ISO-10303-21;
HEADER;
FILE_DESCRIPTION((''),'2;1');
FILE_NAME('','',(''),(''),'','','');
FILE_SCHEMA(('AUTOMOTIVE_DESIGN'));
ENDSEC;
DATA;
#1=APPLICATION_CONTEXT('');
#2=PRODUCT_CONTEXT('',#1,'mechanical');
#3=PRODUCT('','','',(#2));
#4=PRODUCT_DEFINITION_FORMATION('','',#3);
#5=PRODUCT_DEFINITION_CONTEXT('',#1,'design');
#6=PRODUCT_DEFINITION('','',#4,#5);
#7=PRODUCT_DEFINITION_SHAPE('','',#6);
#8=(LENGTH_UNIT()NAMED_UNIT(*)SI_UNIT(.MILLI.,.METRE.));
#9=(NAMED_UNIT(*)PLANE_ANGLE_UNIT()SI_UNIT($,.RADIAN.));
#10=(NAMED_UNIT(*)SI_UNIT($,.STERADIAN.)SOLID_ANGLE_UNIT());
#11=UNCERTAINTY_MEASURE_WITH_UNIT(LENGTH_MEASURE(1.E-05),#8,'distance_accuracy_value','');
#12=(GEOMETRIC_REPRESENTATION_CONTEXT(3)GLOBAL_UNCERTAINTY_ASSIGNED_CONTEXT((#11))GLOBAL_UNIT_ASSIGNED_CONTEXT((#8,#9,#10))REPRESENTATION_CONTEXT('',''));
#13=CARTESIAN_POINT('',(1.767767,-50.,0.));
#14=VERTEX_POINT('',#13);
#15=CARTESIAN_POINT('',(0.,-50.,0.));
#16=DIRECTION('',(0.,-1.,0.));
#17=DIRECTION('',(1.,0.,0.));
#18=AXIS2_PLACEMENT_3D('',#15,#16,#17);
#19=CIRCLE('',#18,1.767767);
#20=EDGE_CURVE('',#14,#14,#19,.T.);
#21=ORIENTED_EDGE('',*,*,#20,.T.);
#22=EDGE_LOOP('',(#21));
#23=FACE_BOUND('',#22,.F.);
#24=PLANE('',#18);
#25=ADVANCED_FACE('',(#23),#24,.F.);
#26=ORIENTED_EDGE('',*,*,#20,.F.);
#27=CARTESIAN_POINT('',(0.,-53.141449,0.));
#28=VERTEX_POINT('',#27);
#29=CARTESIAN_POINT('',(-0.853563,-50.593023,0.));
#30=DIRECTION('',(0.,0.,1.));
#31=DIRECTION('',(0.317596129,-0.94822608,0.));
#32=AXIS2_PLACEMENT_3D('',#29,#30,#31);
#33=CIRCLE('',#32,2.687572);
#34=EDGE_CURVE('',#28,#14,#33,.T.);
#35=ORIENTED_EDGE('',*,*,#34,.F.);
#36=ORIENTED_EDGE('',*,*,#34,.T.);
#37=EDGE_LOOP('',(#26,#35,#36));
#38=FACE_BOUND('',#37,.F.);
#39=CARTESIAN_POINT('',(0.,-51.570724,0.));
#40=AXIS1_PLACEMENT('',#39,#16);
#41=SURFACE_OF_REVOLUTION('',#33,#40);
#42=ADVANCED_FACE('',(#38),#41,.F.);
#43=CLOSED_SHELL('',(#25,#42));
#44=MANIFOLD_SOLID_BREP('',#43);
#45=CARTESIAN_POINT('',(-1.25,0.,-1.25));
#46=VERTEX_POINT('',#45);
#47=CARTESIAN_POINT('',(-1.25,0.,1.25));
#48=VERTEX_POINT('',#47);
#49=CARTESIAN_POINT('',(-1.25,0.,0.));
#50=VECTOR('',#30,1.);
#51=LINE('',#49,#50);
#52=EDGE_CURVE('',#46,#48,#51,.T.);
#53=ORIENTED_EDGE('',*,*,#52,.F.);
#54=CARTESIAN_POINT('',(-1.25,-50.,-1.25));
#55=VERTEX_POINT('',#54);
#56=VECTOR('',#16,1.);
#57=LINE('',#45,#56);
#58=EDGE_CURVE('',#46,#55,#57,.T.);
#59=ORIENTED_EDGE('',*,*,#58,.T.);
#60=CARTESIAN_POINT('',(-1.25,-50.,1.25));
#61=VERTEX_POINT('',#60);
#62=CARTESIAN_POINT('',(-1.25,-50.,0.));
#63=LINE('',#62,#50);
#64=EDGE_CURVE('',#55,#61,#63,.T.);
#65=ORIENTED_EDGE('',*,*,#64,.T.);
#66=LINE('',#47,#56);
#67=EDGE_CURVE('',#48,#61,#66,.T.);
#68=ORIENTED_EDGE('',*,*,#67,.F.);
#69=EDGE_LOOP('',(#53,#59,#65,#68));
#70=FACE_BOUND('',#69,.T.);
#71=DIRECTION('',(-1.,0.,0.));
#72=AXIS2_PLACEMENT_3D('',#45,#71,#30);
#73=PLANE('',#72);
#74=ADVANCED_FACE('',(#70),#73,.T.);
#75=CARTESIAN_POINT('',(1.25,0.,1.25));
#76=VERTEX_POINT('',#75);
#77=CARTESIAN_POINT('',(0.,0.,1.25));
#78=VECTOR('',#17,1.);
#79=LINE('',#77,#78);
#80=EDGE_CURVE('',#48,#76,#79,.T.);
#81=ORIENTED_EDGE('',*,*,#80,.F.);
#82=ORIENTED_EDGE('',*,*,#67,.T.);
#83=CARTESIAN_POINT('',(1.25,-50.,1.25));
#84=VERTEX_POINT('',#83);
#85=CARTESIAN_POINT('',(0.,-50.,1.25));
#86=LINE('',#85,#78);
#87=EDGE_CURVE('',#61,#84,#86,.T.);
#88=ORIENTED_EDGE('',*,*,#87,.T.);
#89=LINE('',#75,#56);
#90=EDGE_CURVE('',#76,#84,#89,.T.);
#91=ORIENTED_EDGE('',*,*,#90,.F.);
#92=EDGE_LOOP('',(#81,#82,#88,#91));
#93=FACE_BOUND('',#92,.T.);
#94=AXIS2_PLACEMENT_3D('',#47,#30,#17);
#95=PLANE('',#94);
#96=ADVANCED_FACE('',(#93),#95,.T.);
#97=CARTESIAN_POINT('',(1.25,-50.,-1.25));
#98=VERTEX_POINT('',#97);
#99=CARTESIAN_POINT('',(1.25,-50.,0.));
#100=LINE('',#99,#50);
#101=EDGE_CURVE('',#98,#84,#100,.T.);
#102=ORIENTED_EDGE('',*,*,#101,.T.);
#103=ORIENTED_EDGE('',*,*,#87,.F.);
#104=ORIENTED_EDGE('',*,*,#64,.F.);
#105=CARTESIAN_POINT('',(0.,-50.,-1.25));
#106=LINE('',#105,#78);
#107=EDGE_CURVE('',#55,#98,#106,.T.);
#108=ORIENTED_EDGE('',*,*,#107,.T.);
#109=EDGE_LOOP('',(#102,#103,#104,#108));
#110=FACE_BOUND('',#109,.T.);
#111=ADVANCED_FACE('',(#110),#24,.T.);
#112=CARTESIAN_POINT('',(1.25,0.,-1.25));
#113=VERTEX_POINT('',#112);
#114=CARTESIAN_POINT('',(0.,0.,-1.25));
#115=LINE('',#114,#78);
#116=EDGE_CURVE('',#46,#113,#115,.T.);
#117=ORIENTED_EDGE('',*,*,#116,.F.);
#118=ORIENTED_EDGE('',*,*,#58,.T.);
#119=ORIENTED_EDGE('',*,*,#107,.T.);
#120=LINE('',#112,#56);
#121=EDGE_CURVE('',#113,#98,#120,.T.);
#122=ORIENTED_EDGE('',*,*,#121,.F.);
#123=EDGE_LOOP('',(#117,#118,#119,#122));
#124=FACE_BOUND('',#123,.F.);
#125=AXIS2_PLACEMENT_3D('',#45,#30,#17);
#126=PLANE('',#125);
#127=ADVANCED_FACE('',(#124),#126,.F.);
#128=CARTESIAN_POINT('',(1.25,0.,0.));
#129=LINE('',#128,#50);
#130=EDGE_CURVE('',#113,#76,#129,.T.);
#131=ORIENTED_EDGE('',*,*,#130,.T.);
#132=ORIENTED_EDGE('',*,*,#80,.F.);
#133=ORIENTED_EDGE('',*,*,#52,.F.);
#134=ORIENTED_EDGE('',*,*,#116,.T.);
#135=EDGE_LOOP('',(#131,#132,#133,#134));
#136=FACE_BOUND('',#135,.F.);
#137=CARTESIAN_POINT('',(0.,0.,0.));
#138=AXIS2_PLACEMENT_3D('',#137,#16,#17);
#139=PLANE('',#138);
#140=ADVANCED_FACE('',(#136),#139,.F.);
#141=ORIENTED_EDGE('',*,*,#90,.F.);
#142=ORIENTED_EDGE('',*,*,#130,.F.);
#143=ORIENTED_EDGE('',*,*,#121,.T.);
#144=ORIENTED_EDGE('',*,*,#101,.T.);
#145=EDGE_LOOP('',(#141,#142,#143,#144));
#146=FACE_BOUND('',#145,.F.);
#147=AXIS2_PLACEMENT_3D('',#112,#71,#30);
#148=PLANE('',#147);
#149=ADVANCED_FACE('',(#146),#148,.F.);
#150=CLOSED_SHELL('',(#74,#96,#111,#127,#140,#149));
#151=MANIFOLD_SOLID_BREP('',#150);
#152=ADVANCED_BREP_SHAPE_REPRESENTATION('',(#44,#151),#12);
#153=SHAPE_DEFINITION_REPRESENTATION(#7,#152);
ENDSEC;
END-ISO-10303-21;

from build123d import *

# Parameters (mm, degrees)
F0_W     = 2.5
F0_H     = 2.5
F1_DEPTH = 50


with BuildPart() as f1:
    # F0 (on Front) → F1 (new body)
    with BuildSketch(Plane.XZ):
        Rectangle(F0_W, F0_H)
    extrude(amount=F1_DEPTH)


with BuildPart() as f4:
    # F3 (on Top) → F4 (revolve)
    with BuildSketch(Plane.XY):
        with BuildLine():
            ThreePointArc((0, -53.141449), (1.488636, -51.911033), (1.767767, -50))
            Line((1.767767, -50), (0, -50))
            Line((0, -50), (0, -53.141449))
        make_face()
    revolve(axis=Axis((0, -51.570724, 0), (0, -1, 0)))


solid = Compound([f1.part, f4.part])
